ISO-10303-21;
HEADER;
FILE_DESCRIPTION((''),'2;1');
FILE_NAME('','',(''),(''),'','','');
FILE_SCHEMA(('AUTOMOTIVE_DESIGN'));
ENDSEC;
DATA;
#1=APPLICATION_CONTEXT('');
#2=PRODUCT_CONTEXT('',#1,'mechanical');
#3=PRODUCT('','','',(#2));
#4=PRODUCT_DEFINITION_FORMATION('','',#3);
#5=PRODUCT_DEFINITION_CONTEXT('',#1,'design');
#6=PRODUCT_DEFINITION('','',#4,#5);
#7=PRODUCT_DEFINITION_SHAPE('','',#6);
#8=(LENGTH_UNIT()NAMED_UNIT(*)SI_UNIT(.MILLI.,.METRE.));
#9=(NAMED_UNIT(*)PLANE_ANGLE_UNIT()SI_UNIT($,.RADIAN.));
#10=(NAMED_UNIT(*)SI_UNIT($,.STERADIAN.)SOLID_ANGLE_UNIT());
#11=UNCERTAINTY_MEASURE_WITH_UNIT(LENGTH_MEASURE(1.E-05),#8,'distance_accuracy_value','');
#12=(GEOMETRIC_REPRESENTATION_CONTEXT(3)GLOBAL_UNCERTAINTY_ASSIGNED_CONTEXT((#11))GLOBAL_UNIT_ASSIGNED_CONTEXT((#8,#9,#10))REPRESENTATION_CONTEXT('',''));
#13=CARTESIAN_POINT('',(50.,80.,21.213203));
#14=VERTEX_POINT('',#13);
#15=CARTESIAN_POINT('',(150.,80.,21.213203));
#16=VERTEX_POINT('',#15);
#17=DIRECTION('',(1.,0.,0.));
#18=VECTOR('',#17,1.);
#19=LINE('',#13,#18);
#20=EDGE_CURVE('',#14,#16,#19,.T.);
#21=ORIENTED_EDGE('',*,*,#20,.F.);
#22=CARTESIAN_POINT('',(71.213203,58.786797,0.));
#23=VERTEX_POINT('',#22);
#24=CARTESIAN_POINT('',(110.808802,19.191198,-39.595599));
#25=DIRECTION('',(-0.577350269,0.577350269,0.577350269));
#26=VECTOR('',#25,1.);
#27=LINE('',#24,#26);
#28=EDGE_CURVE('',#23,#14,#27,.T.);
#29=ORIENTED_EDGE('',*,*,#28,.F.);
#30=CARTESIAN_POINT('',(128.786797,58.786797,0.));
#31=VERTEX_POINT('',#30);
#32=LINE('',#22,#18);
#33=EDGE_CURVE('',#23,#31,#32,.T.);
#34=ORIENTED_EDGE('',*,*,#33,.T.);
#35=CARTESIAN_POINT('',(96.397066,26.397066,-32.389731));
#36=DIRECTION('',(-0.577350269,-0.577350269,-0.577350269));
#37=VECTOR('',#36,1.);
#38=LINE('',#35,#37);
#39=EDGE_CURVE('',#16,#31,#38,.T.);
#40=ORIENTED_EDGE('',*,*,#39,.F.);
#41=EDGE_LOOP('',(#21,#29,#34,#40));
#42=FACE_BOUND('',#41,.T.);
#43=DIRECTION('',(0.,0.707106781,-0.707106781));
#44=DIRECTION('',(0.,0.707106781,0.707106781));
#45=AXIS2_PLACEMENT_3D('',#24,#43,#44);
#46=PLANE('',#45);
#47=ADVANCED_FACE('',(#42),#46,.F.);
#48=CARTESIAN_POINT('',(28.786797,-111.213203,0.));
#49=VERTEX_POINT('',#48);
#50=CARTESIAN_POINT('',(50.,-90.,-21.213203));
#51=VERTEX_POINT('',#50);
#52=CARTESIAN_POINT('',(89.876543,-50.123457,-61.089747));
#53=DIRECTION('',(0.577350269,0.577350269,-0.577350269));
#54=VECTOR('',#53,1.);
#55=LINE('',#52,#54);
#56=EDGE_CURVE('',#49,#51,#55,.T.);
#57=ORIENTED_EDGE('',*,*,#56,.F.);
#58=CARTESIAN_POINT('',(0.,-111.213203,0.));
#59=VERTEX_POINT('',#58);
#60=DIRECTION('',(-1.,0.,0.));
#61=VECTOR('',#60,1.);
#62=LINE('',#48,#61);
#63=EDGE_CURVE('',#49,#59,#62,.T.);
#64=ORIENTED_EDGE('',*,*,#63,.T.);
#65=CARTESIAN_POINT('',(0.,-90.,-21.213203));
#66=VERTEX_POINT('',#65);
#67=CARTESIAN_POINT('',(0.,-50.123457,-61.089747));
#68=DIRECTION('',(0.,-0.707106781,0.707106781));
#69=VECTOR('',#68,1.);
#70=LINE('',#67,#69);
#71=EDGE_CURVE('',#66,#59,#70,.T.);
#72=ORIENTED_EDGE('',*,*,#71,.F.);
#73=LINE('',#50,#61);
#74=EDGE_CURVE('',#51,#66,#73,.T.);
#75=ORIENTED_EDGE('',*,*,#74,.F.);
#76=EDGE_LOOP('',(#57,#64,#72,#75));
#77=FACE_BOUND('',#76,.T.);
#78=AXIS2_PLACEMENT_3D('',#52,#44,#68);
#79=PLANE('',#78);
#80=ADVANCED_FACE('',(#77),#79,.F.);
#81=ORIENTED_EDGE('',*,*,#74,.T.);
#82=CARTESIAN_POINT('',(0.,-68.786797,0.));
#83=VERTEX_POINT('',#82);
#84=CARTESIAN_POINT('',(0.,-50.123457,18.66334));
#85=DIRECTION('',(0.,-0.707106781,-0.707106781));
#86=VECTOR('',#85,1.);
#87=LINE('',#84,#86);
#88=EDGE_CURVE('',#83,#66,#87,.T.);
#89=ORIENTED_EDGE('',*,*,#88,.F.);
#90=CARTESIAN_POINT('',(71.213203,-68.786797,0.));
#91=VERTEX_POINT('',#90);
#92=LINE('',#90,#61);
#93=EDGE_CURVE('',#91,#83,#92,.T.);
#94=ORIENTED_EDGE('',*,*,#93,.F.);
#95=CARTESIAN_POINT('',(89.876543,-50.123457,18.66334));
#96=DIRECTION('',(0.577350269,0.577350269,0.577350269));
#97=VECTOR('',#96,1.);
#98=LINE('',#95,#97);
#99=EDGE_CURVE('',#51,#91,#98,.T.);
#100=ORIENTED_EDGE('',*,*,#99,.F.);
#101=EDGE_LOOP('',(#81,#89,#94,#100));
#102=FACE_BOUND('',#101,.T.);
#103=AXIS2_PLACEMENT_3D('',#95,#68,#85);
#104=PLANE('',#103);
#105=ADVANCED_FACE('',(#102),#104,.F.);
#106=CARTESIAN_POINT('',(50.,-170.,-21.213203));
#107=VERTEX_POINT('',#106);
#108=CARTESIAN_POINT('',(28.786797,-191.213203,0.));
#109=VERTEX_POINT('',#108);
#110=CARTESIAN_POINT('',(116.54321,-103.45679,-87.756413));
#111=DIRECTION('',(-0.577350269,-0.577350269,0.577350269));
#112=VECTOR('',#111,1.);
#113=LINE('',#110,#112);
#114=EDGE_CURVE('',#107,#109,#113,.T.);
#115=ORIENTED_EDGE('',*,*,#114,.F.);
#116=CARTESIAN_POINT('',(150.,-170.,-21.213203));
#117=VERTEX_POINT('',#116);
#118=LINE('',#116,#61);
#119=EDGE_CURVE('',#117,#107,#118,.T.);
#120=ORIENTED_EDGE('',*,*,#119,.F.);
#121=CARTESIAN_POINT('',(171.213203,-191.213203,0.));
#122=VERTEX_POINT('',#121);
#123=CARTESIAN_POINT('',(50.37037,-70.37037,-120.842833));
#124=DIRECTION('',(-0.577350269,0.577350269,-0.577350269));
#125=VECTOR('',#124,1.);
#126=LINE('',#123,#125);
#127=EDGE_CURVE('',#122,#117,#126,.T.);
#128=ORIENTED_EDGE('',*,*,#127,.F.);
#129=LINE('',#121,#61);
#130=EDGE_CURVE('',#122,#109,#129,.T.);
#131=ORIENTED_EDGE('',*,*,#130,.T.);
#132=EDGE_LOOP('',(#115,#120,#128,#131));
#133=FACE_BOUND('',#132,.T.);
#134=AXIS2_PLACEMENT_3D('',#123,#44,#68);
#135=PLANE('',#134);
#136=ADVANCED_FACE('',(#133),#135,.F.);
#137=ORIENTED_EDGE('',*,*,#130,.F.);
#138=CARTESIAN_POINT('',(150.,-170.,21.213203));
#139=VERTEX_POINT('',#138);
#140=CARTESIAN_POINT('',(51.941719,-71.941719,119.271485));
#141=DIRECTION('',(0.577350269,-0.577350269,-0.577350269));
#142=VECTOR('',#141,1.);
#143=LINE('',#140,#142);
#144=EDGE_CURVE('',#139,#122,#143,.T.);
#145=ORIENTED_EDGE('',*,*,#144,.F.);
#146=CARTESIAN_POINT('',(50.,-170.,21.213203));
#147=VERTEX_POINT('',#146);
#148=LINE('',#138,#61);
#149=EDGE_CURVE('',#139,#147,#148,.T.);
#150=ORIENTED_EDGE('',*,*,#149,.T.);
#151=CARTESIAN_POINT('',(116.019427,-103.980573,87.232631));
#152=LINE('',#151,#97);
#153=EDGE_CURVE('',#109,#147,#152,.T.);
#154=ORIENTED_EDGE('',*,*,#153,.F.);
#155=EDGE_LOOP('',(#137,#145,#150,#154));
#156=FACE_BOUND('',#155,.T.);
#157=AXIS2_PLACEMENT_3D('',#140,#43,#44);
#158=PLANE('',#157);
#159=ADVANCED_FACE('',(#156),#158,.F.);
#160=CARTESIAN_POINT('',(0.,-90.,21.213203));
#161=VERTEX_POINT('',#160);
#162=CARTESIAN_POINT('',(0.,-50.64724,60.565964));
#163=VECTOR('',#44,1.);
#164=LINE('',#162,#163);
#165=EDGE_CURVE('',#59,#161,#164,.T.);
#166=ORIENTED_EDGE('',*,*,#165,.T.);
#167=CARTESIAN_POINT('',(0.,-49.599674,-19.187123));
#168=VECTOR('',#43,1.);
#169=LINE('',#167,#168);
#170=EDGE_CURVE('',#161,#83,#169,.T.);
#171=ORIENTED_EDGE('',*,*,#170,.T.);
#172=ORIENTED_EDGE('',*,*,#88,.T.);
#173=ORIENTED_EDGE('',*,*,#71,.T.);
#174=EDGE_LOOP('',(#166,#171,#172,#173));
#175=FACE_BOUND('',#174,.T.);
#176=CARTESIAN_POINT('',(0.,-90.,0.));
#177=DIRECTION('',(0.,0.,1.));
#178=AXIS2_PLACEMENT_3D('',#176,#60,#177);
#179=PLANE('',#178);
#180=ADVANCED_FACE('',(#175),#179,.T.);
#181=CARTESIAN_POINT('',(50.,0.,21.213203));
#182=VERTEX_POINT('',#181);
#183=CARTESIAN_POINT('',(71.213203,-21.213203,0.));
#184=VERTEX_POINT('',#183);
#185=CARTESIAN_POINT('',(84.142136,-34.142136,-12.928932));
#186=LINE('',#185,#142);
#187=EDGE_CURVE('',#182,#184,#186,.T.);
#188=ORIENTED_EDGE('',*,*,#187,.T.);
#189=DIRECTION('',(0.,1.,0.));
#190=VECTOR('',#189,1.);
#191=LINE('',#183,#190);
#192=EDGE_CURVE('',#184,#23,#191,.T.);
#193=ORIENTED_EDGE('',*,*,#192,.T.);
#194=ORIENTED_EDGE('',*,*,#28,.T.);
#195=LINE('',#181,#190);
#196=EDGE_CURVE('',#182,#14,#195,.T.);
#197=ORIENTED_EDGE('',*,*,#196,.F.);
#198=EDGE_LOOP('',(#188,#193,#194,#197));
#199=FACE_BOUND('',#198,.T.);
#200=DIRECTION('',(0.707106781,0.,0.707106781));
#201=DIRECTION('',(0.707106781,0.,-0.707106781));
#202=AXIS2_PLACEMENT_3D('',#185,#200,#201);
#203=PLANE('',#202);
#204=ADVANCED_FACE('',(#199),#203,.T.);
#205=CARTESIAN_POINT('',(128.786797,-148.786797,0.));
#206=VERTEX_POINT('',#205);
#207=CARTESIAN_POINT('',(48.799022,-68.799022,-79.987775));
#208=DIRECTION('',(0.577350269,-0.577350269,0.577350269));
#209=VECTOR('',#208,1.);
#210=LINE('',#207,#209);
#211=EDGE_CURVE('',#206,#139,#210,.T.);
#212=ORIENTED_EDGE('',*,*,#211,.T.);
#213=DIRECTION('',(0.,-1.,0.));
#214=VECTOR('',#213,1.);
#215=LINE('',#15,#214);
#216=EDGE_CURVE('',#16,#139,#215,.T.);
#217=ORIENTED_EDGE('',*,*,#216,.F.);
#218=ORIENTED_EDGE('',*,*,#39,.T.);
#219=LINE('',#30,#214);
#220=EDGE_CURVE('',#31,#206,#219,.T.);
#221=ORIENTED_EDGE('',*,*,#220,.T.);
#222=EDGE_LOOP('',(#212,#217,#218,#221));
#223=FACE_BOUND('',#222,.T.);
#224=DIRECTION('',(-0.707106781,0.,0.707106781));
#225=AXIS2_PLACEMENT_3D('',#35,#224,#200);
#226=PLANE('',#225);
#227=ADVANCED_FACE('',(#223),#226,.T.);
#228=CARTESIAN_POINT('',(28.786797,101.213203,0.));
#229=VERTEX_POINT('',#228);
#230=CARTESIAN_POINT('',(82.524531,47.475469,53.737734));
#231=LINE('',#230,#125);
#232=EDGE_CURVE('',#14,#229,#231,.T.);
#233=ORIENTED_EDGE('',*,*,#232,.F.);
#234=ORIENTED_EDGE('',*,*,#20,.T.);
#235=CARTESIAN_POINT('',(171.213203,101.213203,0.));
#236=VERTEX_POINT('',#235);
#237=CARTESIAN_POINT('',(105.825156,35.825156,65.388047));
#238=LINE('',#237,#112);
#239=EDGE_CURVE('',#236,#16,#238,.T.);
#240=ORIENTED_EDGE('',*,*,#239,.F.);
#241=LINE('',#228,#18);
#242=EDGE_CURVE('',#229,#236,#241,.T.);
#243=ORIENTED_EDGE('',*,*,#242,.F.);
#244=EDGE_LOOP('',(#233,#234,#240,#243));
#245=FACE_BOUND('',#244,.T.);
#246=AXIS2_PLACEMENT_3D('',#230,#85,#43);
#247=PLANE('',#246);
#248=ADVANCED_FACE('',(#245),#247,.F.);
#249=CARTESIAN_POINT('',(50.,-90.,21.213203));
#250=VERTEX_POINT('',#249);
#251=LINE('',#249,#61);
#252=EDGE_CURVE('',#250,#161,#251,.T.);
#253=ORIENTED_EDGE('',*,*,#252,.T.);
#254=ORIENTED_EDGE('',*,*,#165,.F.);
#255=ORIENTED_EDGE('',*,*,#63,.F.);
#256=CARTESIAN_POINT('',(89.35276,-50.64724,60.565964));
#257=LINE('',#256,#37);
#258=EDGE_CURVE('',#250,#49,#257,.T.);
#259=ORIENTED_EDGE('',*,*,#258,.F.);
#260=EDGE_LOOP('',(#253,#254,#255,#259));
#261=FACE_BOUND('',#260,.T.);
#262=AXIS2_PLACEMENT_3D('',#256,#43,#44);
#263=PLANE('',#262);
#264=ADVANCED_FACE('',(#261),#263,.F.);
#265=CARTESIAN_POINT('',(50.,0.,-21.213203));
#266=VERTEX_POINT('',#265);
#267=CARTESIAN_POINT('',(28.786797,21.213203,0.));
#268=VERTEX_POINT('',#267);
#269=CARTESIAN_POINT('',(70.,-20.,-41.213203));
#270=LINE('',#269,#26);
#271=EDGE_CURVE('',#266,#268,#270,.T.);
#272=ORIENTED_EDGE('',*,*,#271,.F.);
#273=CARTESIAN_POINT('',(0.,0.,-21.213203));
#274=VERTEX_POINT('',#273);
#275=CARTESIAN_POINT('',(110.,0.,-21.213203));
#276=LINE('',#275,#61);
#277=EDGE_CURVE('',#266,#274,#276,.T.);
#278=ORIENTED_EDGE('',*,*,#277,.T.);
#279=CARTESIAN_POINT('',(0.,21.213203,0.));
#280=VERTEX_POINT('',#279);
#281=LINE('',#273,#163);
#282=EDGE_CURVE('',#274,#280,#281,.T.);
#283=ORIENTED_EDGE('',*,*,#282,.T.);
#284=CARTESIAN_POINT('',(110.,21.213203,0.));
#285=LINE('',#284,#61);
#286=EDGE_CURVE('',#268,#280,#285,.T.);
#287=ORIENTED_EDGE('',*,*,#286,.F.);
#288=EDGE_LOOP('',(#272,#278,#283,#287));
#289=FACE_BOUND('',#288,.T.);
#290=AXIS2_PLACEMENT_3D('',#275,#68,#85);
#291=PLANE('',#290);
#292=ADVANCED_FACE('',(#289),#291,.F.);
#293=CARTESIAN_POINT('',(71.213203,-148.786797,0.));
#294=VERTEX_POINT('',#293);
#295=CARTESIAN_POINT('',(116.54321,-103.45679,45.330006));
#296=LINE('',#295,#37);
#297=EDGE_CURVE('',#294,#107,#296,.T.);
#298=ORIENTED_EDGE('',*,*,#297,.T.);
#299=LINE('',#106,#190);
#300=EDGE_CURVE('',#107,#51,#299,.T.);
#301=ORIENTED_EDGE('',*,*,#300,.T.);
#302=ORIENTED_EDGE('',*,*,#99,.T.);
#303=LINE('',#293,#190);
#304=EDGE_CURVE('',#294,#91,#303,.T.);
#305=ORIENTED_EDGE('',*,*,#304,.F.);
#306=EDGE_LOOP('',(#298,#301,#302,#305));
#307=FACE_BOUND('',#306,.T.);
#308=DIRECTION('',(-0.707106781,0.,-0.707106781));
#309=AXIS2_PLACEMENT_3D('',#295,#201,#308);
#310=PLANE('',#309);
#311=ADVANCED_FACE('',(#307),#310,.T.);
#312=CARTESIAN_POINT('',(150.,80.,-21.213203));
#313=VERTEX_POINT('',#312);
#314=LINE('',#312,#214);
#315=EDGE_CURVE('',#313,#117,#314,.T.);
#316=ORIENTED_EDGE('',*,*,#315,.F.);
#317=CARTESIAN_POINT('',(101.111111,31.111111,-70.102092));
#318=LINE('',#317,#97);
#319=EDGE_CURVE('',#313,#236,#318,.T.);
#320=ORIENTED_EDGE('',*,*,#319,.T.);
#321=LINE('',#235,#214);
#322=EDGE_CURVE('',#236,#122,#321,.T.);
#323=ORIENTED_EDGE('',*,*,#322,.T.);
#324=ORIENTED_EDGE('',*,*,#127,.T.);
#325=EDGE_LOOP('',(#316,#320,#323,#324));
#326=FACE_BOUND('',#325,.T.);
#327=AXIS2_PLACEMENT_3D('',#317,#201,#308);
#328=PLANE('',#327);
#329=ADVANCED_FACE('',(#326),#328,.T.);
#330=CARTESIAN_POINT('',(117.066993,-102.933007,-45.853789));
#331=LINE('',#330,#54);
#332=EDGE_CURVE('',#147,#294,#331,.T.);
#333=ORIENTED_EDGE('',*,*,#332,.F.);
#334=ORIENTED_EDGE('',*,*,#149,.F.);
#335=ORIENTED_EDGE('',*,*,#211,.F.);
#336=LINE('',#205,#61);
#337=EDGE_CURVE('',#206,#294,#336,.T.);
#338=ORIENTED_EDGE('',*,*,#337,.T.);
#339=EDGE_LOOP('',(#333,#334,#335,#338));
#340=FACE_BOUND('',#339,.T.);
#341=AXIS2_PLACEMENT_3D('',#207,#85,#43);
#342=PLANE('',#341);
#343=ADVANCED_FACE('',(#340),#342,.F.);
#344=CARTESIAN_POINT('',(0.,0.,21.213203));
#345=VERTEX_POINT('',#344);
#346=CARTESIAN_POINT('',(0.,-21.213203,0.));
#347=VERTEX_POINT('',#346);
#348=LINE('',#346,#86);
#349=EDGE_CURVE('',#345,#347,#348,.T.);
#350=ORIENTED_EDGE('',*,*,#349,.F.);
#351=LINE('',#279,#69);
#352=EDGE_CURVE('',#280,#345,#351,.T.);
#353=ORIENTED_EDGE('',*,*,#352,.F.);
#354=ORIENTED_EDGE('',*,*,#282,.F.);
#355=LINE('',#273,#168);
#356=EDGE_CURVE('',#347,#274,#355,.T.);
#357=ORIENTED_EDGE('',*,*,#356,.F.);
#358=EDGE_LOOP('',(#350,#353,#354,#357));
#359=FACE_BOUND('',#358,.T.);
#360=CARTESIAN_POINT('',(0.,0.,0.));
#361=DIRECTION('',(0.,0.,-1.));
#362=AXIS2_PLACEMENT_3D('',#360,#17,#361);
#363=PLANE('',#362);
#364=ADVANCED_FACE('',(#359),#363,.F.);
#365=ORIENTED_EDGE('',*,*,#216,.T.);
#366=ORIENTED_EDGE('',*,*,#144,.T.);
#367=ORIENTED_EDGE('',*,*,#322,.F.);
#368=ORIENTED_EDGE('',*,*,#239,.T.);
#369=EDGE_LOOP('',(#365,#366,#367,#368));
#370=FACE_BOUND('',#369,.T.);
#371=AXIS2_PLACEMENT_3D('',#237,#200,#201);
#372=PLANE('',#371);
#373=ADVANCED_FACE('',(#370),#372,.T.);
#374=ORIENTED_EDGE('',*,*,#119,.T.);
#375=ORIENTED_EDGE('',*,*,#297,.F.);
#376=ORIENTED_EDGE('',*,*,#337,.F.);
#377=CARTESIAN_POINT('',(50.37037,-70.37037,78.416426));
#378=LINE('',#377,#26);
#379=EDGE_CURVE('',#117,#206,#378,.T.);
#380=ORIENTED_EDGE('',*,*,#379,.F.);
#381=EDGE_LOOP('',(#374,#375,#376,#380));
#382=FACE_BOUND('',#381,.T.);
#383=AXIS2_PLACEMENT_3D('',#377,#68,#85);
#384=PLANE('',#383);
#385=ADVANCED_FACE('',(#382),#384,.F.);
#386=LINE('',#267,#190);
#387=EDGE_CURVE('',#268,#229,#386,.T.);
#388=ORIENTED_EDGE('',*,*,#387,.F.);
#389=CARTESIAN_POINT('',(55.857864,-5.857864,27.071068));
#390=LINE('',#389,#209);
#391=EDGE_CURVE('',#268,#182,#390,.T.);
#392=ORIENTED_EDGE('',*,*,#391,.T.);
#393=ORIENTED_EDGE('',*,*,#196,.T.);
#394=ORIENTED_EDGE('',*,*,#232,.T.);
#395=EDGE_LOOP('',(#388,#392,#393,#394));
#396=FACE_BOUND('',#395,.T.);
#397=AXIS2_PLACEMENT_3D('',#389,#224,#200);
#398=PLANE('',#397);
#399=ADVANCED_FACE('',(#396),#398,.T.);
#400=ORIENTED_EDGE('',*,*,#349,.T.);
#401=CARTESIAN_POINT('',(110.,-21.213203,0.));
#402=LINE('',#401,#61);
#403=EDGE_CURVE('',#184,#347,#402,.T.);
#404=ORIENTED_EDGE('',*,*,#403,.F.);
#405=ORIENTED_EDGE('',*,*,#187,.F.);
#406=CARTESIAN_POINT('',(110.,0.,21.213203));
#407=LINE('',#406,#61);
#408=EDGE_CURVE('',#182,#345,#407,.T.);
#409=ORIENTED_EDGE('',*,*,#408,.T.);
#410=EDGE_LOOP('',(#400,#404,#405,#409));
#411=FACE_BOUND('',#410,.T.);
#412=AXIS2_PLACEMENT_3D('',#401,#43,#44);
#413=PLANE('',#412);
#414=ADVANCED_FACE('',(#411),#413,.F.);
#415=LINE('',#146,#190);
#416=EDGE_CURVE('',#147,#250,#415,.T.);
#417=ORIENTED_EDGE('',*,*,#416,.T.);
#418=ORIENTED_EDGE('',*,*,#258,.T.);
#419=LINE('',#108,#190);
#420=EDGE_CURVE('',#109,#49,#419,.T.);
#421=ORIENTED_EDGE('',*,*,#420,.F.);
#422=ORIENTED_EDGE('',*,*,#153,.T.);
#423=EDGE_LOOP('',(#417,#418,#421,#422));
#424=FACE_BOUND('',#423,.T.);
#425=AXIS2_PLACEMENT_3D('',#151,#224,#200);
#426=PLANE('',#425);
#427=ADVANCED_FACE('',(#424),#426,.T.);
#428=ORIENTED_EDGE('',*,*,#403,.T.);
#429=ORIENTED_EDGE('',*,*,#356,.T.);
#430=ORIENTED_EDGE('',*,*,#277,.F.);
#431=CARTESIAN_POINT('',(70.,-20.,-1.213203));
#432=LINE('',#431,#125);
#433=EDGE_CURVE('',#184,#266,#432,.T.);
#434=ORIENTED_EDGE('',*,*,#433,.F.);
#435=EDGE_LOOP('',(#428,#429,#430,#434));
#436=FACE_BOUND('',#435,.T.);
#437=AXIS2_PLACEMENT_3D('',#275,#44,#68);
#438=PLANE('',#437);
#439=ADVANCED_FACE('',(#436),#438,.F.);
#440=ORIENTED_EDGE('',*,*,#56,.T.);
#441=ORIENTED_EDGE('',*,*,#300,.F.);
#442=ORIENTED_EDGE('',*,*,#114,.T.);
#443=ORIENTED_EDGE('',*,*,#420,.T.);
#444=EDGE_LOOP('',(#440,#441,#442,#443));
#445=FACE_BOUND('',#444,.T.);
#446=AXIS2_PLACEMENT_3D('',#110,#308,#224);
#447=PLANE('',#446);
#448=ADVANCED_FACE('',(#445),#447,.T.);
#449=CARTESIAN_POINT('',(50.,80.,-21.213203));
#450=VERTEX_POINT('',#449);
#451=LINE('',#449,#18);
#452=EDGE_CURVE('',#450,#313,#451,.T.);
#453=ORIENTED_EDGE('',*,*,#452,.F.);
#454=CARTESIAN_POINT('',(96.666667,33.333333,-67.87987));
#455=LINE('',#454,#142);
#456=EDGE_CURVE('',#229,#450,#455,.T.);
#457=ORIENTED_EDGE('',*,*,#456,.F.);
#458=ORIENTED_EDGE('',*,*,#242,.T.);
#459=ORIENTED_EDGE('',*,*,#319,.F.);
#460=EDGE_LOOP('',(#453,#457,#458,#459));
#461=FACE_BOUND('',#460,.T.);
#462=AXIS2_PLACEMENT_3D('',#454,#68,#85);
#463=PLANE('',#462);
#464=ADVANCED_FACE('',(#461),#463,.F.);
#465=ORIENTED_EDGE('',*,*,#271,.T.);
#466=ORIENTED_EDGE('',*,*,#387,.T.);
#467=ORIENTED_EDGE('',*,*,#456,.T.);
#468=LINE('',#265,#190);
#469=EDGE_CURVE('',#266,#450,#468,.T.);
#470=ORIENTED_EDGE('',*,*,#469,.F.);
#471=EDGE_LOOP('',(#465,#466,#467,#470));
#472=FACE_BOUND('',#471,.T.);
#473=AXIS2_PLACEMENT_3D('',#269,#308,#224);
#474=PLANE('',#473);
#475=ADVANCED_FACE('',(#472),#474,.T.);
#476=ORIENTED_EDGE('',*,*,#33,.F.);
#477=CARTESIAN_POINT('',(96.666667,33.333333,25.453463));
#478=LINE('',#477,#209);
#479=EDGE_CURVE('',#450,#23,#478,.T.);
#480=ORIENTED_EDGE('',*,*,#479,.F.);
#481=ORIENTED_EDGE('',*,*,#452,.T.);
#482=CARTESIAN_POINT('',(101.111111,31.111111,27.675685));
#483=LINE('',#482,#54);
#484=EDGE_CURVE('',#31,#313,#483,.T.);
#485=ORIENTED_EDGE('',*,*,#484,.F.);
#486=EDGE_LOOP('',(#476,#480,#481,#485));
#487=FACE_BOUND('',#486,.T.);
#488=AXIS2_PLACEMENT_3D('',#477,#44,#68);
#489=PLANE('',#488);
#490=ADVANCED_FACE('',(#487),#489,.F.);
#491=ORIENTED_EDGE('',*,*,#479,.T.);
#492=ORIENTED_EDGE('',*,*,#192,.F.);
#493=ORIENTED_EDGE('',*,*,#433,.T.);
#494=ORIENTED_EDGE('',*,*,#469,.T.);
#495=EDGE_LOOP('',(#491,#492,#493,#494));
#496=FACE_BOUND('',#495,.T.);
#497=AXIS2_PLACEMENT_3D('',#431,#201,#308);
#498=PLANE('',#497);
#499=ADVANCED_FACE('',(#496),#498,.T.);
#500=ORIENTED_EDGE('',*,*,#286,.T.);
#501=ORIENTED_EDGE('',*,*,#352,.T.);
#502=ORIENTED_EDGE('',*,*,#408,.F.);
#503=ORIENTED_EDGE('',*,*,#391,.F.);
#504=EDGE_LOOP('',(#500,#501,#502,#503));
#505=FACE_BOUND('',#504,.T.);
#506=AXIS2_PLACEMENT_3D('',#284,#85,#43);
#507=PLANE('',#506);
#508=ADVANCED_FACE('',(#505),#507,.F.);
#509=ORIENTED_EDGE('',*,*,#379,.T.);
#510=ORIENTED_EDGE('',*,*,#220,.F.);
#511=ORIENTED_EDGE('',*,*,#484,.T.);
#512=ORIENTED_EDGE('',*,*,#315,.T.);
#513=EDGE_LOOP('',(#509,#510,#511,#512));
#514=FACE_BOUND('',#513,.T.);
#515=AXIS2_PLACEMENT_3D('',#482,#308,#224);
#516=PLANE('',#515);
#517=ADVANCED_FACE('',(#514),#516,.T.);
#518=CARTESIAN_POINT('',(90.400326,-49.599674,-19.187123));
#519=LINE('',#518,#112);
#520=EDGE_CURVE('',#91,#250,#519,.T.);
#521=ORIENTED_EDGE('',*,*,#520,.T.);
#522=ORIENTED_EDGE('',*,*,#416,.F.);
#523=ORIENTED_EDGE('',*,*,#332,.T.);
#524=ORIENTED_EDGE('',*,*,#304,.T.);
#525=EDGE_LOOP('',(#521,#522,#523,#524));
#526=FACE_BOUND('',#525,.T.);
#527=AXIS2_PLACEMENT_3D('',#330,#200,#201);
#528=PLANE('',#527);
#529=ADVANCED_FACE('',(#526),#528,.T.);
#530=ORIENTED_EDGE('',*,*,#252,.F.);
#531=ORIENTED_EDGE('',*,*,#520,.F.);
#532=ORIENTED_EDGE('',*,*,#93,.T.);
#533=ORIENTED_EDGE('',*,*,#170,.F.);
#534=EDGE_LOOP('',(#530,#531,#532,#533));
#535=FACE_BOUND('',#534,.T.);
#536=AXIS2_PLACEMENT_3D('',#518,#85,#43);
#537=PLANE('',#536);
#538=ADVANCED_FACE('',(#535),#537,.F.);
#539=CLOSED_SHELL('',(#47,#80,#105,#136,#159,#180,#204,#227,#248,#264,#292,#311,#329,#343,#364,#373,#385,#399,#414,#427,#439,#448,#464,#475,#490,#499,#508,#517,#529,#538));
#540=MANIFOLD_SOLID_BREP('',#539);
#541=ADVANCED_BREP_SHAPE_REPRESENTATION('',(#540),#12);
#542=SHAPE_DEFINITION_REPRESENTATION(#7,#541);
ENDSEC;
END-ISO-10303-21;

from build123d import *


with BuildPart() as part:
    # 스윕1: sweep along a path in 스케치2
    with BuildLine(Plane.XY) as sweep_1_path:
        Line((0, 0), (50, 0))
        Line((50, 0), (50, 80))
        Line((50, 80), (150, 80))
        Line((150, 80), (150, -170))
        Line((150, -170), (50, -170))
        Line((50, -170), (50, -90))
        Line((50, -90), (0, -90))
    # 스케치3 → 스윕1 (sweep)
    with BuildSketch(Plane(origin=(0, 0, 0), x_dir=(0, 0, -1), z_dir=(1, 0, 0))):
        Polygon((21.213203436, 0), (0, -21.213203436), (-21.213203436, 0), (0, 21.213203436), align=None)
    sweep(path=sweep_1_path.line, transition=Transition.RIGHT)


solid = part.part
